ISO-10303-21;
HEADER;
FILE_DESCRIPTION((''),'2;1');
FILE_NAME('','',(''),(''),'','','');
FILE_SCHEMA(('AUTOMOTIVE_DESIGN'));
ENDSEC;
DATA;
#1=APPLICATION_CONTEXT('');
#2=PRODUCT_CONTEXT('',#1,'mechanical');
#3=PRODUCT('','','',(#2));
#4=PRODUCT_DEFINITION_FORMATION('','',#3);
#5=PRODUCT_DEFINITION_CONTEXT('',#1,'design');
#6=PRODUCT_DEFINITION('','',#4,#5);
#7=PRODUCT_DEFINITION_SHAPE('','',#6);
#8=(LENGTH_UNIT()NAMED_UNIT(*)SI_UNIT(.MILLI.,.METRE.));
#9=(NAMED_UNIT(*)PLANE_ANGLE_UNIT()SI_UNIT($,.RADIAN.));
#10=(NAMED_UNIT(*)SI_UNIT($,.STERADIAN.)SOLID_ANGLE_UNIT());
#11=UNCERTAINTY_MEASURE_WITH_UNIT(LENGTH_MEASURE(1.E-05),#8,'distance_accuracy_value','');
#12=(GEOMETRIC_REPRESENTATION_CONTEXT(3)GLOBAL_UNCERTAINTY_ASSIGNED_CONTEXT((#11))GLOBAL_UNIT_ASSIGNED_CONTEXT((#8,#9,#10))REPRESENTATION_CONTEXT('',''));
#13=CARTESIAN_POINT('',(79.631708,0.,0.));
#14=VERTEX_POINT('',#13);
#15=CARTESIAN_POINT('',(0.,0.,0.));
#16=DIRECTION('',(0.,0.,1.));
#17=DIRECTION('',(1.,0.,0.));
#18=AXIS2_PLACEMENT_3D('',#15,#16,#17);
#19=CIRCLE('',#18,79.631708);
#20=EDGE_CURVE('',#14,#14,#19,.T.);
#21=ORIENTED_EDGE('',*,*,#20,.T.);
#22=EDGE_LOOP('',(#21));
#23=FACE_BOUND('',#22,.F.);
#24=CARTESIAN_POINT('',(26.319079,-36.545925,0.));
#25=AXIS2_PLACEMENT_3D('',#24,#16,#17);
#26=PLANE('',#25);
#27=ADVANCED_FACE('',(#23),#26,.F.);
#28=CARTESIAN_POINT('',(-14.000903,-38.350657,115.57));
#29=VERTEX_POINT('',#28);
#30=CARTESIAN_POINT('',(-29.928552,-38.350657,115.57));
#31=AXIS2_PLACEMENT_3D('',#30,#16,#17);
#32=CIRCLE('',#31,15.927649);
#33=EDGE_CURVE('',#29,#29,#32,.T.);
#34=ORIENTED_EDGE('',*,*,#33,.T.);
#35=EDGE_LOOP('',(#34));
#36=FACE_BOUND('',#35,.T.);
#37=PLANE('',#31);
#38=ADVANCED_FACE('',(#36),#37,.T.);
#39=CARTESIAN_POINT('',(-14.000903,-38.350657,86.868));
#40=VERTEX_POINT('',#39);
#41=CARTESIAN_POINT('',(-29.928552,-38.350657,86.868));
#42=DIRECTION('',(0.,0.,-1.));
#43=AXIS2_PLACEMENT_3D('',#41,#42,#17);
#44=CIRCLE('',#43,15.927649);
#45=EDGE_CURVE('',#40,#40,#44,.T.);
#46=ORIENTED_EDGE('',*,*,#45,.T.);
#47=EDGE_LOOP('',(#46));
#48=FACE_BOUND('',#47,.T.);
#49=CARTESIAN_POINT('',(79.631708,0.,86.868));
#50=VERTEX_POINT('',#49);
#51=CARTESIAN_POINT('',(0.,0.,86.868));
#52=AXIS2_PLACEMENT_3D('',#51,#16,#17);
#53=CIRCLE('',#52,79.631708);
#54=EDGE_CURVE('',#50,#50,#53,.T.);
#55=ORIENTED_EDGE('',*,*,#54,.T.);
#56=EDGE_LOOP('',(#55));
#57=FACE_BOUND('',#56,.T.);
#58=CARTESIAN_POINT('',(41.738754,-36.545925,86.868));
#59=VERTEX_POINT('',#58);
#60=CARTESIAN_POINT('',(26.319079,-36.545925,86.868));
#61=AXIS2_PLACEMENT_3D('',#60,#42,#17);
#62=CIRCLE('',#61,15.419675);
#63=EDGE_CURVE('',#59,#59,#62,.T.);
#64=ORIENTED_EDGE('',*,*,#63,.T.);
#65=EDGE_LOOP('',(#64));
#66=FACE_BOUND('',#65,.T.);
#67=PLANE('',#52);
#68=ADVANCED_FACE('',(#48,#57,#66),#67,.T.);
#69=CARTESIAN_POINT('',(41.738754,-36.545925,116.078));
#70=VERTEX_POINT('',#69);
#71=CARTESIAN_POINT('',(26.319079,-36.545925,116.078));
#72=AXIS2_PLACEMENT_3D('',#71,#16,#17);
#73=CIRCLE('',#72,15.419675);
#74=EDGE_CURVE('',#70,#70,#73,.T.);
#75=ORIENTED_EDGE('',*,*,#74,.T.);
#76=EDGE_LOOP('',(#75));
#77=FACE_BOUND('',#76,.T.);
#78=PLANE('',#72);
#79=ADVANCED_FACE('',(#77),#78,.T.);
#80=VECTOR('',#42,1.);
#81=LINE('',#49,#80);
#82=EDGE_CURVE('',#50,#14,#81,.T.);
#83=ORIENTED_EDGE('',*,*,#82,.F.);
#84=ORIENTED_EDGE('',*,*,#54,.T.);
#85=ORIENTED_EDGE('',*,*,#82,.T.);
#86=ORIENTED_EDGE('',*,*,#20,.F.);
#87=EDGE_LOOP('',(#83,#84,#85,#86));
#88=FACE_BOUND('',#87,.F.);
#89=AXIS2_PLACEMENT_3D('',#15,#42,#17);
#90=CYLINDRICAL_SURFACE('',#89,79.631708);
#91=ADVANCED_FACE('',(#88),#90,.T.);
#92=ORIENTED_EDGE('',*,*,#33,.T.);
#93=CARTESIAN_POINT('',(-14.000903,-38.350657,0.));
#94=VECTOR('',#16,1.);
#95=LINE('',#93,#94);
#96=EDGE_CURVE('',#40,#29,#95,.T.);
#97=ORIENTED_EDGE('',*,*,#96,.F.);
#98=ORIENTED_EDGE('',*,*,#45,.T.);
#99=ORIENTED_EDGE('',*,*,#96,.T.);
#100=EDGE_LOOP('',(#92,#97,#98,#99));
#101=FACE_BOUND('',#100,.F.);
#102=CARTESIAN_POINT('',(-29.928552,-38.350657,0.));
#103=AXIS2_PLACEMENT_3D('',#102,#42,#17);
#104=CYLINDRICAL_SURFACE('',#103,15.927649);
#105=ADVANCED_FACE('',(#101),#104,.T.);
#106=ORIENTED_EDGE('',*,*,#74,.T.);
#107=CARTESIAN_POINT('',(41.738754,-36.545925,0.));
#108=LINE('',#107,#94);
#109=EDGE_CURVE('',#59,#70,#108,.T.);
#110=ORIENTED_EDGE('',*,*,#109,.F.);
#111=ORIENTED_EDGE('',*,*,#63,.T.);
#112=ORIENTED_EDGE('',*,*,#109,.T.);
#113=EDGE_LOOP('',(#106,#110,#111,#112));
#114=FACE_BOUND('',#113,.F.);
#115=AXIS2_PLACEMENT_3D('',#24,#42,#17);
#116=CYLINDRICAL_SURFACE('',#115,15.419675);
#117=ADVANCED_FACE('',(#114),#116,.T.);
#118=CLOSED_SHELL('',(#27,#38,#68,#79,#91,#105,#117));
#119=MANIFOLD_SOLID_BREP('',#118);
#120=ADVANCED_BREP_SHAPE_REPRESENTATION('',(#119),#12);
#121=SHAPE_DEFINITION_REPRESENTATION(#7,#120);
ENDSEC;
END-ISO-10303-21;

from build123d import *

# Parameters (mm, degrees)
F0_R     = 79.631708
F6_DEPTH = 86.868
F2_R     = 15.927649
F7_DEPTH = 115.57
F2_R_2   = 15.419675
F8_DEPTH = 116.078
F2_R_3   = 79.631708
F9_DEPTH = 46.736


with BuildPart() as f6:
    # F0 (on Top) → F6 (new body)
    with BuildSketch(Plane.XY):
        Circle(F0_R)
    extrude(amount=F6_DEPTH)

    # F2 (on face) → F7 (join)
    with BuildSketch(Plane.XY):
        with Locations((-29.928552, -38.350657)):
            Circle(F2_R)
    extrude(amount=F7_DEPTH)

    # F2 (on face) → F8 (join)
    with BuildSketch(Plane.XY):
        with Locations((26.319079, -36.545925)):
            Circle(F2_R_2)
    extrude(amount=F8_DEPTH)

    # F2 (on face) → F9 (join)
    with BuildSketch(Plane.XY):
        Circle(F2_R_3)
        with Locations((-29.928552, -38.350657)):
            Circle(F2_R, mode=Mode.SUBTRACT)
        with Locations((26.319079, -36.545925)):
            Circle(F2_R_2, mode=Mode.SUBTRACT)
    extrude(amount=F9_DEPTH)


solid = f6.part
